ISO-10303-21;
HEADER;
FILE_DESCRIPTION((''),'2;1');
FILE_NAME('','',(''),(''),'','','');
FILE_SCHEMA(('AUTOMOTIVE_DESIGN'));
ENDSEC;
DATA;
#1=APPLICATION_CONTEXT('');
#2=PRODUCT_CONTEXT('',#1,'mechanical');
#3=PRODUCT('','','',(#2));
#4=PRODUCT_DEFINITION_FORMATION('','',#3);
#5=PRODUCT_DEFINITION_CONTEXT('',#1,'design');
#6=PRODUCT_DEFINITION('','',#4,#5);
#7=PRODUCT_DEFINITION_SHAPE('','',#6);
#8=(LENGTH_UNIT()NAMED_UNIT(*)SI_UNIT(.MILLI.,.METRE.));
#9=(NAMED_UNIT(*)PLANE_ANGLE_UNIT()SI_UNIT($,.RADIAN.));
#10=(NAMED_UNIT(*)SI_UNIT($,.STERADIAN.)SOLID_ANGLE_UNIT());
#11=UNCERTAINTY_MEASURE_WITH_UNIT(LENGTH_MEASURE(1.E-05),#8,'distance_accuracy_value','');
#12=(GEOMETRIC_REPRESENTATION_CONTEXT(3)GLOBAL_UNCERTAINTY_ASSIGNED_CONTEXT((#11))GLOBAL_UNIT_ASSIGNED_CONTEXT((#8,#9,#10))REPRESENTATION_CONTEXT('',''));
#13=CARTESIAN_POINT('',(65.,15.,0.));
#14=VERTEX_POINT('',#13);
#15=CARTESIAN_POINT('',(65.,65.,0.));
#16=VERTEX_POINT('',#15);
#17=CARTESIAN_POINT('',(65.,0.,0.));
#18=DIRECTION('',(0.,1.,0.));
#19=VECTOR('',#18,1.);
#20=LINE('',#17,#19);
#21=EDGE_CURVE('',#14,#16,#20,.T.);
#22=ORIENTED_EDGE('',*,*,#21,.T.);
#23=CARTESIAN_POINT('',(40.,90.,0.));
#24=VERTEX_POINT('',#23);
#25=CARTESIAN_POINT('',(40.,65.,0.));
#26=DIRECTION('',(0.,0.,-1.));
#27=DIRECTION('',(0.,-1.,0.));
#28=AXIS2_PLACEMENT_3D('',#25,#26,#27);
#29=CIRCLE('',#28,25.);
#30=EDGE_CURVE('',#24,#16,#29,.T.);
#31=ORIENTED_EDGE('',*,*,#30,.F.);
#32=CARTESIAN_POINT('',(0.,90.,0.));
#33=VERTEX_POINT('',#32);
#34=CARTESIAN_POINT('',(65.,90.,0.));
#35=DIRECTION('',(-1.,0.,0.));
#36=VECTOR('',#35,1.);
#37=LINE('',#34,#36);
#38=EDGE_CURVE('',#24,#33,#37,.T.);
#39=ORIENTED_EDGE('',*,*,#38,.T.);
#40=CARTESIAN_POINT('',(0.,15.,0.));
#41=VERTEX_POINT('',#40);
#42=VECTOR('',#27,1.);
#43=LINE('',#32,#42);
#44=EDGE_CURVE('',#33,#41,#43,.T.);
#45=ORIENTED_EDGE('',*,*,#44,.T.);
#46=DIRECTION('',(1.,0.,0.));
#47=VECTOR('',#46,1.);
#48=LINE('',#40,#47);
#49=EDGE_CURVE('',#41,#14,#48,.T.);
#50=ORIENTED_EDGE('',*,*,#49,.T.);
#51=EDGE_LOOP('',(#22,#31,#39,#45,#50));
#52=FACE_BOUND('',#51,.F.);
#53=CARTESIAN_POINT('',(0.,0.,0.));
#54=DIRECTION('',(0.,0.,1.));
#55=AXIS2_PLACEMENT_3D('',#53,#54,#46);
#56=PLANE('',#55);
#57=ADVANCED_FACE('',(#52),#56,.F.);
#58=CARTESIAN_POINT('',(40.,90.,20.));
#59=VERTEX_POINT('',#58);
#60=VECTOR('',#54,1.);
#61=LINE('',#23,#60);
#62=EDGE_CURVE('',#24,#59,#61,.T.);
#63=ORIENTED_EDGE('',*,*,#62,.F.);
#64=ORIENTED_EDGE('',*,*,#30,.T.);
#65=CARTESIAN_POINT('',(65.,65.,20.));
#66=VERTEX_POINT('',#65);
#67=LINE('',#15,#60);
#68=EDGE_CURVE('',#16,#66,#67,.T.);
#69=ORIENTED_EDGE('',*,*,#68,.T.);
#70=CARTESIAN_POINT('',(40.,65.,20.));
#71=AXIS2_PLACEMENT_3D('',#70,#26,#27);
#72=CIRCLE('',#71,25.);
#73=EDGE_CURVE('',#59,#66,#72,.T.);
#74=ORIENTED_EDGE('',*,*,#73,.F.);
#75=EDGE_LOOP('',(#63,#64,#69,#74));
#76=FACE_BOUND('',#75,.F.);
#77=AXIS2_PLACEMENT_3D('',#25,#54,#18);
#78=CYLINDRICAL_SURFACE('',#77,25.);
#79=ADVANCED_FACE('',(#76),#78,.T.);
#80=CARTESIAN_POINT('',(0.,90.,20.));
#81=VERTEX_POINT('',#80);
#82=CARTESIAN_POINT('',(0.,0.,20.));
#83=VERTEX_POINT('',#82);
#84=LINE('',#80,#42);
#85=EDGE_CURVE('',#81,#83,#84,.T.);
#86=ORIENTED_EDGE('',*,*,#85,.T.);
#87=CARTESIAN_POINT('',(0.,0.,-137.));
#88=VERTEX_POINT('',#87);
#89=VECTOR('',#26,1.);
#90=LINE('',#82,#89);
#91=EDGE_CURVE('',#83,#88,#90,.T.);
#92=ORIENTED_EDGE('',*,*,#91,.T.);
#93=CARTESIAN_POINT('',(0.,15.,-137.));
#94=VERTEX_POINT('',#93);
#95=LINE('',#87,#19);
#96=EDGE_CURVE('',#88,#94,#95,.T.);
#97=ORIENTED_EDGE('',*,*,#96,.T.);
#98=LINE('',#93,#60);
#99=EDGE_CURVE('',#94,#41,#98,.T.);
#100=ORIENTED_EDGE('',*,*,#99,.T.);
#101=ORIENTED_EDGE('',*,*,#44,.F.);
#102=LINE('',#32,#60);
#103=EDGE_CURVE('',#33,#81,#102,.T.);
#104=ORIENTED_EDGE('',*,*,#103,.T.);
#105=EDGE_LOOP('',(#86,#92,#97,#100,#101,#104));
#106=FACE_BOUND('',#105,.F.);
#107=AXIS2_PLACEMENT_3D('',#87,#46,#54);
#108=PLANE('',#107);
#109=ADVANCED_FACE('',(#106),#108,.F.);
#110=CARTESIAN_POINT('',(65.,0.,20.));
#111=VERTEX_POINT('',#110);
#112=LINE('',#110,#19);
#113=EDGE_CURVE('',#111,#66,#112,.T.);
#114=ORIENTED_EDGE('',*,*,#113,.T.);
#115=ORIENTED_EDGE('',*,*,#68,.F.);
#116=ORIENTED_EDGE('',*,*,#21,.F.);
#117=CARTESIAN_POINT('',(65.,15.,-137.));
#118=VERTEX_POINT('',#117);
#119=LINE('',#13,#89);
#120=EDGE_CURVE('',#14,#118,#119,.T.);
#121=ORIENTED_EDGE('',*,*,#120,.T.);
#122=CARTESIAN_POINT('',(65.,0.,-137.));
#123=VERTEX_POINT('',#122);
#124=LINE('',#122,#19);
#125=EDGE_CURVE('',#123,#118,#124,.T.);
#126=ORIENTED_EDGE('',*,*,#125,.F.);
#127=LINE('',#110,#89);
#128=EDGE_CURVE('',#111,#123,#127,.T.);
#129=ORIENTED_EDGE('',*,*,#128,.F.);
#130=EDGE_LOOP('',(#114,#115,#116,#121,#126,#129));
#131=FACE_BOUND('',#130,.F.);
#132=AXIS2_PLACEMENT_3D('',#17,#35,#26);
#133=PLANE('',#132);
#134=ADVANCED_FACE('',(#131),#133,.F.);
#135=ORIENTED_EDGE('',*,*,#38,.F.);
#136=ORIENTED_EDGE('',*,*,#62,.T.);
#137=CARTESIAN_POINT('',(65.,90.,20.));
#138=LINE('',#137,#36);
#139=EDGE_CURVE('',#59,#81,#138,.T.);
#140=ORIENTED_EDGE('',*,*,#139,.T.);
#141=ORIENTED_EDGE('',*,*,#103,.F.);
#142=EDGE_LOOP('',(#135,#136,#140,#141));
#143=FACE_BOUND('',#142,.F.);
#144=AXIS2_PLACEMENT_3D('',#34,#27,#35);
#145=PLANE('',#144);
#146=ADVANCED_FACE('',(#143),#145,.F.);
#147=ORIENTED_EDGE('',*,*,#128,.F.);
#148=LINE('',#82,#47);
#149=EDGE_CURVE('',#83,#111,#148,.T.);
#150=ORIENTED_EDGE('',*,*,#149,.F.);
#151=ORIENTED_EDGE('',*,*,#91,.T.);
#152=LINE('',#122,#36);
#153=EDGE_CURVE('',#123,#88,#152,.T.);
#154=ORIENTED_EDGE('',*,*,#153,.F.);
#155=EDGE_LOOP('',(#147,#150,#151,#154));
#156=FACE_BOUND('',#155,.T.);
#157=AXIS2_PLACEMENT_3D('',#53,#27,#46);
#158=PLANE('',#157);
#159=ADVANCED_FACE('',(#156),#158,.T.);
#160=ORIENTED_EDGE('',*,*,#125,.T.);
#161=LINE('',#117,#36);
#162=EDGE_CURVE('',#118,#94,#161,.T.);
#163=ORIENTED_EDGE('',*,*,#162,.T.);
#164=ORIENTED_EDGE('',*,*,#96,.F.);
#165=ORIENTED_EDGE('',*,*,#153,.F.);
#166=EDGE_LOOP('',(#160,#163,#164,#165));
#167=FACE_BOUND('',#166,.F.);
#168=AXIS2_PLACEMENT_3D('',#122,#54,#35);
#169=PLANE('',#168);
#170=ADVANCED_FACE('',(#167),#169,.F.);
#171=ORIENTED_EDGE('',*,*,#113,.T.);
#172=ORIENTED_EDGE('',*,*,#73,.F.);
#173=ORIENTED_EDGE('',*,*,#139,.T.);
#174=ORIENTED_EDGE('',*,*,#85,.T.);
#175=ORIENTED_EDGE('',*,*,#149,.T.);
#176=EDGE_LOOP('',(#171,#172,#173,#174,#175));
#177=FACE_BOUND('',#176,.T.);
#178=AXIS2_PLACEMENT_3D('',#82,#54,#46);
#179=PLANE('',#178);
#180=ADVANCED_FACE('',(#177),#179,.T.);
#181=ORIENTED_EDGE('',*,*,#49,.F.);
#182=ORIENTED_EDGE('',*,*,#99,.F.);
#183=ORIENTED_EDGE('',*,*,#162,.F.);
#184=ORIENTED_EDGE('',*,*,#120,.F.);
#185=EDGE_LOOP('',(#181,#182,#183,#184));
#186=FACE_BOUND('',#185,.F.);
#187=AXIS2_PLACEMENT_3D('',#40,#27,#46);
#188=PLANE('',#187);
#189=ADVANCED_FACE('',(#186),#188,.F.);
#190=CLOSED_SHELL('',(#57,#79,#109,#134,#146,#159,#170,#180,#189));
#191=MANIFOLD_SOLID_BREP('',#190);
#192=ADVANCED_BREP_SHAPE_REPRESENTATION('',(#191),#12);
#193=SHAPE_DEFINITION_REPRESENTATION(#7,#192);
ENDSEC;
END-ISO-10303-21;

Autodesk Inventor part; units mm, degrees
ref_plane "YZ Plane" through (0, 0, 0) normal (1, 0, 0) x (0, 1, 0)
ref_plane "XZ Plane" through (0, 0, 0) normal (0, 1, 0) x (-1, 0, 0)
ref_plane "XY Plane" through (0, 0, 0) normal (0, 0, 1) x (1, 0, 0)
sketch "Sketch1" plane through (0, 0, 0) normal (0, 0, 1) x (1, 0, 0)
  line L0 (0, 0) -> (65, 0)
  line L1 (65, 0) -> (65, 90)
  line L2 (65, 90) -> (0, 90)
  line L3 (0, 90) -> (0, 0)
  dimension "d0" = 65
  dimension "d1" = 90
extrude "Extrusion1" add sketch "Sketch1" along normal blind 20
fillet "Fillet1" radius 25 1 edges at (65, 90, 10)
sketch "Sketch2" plane through (0, 0, 0) normal (0, 0, -1) x (-1, 0, 0)
  point P0 (0, 0)
sketch "Sketch3" plane through (65, 0, 20) normal (1, 0, 0) x (0, 0, -1)
  point P0 (20, 0)
sketch "Sketch4" plane through (0, 0, 0) normal (0, 0, -1) x (-1, 0, 0)
  point P0 (0, 0)
sketch "Sketch5" plane through (0, 0, 0) normal (0, -1, 0) x (1, 0, 0)
  line L0 (40, 0) -> (0, 0) projected
  line L1 (0, 0) -> (65, 0)
  line L2 (65, 0) -> (65, -137)
  line L3 (65, -137) -> (0, -137)
  line L4 (0, -137) -> (0, 0)
  dimension "d5" = 65
  dimension "d6" = 137
extrude "Extrusion2" add sketch "Sketch5" against normal blind 15
sketch "Sketch6" plane through (65, 0, -137) normal (0, 0, -1) x (-1, 0, 0)
  line L0 (65, 0) -> (0, 0) projected
  line L1 (65, 0) -> (78, 0)
  line L2 (78, 0) -> (78, 17)
  line L3 (78, 17) -> (65, 0)
  dimension "d9" = 13
  dimension "d10" = 17
sketch "Sketch7" plane through (65, 0, -137) normal (0, 0, -1) x (-1, 0, 0)
  point P0 (65, 0)
properties part number "YETTOCOMPLETE"
